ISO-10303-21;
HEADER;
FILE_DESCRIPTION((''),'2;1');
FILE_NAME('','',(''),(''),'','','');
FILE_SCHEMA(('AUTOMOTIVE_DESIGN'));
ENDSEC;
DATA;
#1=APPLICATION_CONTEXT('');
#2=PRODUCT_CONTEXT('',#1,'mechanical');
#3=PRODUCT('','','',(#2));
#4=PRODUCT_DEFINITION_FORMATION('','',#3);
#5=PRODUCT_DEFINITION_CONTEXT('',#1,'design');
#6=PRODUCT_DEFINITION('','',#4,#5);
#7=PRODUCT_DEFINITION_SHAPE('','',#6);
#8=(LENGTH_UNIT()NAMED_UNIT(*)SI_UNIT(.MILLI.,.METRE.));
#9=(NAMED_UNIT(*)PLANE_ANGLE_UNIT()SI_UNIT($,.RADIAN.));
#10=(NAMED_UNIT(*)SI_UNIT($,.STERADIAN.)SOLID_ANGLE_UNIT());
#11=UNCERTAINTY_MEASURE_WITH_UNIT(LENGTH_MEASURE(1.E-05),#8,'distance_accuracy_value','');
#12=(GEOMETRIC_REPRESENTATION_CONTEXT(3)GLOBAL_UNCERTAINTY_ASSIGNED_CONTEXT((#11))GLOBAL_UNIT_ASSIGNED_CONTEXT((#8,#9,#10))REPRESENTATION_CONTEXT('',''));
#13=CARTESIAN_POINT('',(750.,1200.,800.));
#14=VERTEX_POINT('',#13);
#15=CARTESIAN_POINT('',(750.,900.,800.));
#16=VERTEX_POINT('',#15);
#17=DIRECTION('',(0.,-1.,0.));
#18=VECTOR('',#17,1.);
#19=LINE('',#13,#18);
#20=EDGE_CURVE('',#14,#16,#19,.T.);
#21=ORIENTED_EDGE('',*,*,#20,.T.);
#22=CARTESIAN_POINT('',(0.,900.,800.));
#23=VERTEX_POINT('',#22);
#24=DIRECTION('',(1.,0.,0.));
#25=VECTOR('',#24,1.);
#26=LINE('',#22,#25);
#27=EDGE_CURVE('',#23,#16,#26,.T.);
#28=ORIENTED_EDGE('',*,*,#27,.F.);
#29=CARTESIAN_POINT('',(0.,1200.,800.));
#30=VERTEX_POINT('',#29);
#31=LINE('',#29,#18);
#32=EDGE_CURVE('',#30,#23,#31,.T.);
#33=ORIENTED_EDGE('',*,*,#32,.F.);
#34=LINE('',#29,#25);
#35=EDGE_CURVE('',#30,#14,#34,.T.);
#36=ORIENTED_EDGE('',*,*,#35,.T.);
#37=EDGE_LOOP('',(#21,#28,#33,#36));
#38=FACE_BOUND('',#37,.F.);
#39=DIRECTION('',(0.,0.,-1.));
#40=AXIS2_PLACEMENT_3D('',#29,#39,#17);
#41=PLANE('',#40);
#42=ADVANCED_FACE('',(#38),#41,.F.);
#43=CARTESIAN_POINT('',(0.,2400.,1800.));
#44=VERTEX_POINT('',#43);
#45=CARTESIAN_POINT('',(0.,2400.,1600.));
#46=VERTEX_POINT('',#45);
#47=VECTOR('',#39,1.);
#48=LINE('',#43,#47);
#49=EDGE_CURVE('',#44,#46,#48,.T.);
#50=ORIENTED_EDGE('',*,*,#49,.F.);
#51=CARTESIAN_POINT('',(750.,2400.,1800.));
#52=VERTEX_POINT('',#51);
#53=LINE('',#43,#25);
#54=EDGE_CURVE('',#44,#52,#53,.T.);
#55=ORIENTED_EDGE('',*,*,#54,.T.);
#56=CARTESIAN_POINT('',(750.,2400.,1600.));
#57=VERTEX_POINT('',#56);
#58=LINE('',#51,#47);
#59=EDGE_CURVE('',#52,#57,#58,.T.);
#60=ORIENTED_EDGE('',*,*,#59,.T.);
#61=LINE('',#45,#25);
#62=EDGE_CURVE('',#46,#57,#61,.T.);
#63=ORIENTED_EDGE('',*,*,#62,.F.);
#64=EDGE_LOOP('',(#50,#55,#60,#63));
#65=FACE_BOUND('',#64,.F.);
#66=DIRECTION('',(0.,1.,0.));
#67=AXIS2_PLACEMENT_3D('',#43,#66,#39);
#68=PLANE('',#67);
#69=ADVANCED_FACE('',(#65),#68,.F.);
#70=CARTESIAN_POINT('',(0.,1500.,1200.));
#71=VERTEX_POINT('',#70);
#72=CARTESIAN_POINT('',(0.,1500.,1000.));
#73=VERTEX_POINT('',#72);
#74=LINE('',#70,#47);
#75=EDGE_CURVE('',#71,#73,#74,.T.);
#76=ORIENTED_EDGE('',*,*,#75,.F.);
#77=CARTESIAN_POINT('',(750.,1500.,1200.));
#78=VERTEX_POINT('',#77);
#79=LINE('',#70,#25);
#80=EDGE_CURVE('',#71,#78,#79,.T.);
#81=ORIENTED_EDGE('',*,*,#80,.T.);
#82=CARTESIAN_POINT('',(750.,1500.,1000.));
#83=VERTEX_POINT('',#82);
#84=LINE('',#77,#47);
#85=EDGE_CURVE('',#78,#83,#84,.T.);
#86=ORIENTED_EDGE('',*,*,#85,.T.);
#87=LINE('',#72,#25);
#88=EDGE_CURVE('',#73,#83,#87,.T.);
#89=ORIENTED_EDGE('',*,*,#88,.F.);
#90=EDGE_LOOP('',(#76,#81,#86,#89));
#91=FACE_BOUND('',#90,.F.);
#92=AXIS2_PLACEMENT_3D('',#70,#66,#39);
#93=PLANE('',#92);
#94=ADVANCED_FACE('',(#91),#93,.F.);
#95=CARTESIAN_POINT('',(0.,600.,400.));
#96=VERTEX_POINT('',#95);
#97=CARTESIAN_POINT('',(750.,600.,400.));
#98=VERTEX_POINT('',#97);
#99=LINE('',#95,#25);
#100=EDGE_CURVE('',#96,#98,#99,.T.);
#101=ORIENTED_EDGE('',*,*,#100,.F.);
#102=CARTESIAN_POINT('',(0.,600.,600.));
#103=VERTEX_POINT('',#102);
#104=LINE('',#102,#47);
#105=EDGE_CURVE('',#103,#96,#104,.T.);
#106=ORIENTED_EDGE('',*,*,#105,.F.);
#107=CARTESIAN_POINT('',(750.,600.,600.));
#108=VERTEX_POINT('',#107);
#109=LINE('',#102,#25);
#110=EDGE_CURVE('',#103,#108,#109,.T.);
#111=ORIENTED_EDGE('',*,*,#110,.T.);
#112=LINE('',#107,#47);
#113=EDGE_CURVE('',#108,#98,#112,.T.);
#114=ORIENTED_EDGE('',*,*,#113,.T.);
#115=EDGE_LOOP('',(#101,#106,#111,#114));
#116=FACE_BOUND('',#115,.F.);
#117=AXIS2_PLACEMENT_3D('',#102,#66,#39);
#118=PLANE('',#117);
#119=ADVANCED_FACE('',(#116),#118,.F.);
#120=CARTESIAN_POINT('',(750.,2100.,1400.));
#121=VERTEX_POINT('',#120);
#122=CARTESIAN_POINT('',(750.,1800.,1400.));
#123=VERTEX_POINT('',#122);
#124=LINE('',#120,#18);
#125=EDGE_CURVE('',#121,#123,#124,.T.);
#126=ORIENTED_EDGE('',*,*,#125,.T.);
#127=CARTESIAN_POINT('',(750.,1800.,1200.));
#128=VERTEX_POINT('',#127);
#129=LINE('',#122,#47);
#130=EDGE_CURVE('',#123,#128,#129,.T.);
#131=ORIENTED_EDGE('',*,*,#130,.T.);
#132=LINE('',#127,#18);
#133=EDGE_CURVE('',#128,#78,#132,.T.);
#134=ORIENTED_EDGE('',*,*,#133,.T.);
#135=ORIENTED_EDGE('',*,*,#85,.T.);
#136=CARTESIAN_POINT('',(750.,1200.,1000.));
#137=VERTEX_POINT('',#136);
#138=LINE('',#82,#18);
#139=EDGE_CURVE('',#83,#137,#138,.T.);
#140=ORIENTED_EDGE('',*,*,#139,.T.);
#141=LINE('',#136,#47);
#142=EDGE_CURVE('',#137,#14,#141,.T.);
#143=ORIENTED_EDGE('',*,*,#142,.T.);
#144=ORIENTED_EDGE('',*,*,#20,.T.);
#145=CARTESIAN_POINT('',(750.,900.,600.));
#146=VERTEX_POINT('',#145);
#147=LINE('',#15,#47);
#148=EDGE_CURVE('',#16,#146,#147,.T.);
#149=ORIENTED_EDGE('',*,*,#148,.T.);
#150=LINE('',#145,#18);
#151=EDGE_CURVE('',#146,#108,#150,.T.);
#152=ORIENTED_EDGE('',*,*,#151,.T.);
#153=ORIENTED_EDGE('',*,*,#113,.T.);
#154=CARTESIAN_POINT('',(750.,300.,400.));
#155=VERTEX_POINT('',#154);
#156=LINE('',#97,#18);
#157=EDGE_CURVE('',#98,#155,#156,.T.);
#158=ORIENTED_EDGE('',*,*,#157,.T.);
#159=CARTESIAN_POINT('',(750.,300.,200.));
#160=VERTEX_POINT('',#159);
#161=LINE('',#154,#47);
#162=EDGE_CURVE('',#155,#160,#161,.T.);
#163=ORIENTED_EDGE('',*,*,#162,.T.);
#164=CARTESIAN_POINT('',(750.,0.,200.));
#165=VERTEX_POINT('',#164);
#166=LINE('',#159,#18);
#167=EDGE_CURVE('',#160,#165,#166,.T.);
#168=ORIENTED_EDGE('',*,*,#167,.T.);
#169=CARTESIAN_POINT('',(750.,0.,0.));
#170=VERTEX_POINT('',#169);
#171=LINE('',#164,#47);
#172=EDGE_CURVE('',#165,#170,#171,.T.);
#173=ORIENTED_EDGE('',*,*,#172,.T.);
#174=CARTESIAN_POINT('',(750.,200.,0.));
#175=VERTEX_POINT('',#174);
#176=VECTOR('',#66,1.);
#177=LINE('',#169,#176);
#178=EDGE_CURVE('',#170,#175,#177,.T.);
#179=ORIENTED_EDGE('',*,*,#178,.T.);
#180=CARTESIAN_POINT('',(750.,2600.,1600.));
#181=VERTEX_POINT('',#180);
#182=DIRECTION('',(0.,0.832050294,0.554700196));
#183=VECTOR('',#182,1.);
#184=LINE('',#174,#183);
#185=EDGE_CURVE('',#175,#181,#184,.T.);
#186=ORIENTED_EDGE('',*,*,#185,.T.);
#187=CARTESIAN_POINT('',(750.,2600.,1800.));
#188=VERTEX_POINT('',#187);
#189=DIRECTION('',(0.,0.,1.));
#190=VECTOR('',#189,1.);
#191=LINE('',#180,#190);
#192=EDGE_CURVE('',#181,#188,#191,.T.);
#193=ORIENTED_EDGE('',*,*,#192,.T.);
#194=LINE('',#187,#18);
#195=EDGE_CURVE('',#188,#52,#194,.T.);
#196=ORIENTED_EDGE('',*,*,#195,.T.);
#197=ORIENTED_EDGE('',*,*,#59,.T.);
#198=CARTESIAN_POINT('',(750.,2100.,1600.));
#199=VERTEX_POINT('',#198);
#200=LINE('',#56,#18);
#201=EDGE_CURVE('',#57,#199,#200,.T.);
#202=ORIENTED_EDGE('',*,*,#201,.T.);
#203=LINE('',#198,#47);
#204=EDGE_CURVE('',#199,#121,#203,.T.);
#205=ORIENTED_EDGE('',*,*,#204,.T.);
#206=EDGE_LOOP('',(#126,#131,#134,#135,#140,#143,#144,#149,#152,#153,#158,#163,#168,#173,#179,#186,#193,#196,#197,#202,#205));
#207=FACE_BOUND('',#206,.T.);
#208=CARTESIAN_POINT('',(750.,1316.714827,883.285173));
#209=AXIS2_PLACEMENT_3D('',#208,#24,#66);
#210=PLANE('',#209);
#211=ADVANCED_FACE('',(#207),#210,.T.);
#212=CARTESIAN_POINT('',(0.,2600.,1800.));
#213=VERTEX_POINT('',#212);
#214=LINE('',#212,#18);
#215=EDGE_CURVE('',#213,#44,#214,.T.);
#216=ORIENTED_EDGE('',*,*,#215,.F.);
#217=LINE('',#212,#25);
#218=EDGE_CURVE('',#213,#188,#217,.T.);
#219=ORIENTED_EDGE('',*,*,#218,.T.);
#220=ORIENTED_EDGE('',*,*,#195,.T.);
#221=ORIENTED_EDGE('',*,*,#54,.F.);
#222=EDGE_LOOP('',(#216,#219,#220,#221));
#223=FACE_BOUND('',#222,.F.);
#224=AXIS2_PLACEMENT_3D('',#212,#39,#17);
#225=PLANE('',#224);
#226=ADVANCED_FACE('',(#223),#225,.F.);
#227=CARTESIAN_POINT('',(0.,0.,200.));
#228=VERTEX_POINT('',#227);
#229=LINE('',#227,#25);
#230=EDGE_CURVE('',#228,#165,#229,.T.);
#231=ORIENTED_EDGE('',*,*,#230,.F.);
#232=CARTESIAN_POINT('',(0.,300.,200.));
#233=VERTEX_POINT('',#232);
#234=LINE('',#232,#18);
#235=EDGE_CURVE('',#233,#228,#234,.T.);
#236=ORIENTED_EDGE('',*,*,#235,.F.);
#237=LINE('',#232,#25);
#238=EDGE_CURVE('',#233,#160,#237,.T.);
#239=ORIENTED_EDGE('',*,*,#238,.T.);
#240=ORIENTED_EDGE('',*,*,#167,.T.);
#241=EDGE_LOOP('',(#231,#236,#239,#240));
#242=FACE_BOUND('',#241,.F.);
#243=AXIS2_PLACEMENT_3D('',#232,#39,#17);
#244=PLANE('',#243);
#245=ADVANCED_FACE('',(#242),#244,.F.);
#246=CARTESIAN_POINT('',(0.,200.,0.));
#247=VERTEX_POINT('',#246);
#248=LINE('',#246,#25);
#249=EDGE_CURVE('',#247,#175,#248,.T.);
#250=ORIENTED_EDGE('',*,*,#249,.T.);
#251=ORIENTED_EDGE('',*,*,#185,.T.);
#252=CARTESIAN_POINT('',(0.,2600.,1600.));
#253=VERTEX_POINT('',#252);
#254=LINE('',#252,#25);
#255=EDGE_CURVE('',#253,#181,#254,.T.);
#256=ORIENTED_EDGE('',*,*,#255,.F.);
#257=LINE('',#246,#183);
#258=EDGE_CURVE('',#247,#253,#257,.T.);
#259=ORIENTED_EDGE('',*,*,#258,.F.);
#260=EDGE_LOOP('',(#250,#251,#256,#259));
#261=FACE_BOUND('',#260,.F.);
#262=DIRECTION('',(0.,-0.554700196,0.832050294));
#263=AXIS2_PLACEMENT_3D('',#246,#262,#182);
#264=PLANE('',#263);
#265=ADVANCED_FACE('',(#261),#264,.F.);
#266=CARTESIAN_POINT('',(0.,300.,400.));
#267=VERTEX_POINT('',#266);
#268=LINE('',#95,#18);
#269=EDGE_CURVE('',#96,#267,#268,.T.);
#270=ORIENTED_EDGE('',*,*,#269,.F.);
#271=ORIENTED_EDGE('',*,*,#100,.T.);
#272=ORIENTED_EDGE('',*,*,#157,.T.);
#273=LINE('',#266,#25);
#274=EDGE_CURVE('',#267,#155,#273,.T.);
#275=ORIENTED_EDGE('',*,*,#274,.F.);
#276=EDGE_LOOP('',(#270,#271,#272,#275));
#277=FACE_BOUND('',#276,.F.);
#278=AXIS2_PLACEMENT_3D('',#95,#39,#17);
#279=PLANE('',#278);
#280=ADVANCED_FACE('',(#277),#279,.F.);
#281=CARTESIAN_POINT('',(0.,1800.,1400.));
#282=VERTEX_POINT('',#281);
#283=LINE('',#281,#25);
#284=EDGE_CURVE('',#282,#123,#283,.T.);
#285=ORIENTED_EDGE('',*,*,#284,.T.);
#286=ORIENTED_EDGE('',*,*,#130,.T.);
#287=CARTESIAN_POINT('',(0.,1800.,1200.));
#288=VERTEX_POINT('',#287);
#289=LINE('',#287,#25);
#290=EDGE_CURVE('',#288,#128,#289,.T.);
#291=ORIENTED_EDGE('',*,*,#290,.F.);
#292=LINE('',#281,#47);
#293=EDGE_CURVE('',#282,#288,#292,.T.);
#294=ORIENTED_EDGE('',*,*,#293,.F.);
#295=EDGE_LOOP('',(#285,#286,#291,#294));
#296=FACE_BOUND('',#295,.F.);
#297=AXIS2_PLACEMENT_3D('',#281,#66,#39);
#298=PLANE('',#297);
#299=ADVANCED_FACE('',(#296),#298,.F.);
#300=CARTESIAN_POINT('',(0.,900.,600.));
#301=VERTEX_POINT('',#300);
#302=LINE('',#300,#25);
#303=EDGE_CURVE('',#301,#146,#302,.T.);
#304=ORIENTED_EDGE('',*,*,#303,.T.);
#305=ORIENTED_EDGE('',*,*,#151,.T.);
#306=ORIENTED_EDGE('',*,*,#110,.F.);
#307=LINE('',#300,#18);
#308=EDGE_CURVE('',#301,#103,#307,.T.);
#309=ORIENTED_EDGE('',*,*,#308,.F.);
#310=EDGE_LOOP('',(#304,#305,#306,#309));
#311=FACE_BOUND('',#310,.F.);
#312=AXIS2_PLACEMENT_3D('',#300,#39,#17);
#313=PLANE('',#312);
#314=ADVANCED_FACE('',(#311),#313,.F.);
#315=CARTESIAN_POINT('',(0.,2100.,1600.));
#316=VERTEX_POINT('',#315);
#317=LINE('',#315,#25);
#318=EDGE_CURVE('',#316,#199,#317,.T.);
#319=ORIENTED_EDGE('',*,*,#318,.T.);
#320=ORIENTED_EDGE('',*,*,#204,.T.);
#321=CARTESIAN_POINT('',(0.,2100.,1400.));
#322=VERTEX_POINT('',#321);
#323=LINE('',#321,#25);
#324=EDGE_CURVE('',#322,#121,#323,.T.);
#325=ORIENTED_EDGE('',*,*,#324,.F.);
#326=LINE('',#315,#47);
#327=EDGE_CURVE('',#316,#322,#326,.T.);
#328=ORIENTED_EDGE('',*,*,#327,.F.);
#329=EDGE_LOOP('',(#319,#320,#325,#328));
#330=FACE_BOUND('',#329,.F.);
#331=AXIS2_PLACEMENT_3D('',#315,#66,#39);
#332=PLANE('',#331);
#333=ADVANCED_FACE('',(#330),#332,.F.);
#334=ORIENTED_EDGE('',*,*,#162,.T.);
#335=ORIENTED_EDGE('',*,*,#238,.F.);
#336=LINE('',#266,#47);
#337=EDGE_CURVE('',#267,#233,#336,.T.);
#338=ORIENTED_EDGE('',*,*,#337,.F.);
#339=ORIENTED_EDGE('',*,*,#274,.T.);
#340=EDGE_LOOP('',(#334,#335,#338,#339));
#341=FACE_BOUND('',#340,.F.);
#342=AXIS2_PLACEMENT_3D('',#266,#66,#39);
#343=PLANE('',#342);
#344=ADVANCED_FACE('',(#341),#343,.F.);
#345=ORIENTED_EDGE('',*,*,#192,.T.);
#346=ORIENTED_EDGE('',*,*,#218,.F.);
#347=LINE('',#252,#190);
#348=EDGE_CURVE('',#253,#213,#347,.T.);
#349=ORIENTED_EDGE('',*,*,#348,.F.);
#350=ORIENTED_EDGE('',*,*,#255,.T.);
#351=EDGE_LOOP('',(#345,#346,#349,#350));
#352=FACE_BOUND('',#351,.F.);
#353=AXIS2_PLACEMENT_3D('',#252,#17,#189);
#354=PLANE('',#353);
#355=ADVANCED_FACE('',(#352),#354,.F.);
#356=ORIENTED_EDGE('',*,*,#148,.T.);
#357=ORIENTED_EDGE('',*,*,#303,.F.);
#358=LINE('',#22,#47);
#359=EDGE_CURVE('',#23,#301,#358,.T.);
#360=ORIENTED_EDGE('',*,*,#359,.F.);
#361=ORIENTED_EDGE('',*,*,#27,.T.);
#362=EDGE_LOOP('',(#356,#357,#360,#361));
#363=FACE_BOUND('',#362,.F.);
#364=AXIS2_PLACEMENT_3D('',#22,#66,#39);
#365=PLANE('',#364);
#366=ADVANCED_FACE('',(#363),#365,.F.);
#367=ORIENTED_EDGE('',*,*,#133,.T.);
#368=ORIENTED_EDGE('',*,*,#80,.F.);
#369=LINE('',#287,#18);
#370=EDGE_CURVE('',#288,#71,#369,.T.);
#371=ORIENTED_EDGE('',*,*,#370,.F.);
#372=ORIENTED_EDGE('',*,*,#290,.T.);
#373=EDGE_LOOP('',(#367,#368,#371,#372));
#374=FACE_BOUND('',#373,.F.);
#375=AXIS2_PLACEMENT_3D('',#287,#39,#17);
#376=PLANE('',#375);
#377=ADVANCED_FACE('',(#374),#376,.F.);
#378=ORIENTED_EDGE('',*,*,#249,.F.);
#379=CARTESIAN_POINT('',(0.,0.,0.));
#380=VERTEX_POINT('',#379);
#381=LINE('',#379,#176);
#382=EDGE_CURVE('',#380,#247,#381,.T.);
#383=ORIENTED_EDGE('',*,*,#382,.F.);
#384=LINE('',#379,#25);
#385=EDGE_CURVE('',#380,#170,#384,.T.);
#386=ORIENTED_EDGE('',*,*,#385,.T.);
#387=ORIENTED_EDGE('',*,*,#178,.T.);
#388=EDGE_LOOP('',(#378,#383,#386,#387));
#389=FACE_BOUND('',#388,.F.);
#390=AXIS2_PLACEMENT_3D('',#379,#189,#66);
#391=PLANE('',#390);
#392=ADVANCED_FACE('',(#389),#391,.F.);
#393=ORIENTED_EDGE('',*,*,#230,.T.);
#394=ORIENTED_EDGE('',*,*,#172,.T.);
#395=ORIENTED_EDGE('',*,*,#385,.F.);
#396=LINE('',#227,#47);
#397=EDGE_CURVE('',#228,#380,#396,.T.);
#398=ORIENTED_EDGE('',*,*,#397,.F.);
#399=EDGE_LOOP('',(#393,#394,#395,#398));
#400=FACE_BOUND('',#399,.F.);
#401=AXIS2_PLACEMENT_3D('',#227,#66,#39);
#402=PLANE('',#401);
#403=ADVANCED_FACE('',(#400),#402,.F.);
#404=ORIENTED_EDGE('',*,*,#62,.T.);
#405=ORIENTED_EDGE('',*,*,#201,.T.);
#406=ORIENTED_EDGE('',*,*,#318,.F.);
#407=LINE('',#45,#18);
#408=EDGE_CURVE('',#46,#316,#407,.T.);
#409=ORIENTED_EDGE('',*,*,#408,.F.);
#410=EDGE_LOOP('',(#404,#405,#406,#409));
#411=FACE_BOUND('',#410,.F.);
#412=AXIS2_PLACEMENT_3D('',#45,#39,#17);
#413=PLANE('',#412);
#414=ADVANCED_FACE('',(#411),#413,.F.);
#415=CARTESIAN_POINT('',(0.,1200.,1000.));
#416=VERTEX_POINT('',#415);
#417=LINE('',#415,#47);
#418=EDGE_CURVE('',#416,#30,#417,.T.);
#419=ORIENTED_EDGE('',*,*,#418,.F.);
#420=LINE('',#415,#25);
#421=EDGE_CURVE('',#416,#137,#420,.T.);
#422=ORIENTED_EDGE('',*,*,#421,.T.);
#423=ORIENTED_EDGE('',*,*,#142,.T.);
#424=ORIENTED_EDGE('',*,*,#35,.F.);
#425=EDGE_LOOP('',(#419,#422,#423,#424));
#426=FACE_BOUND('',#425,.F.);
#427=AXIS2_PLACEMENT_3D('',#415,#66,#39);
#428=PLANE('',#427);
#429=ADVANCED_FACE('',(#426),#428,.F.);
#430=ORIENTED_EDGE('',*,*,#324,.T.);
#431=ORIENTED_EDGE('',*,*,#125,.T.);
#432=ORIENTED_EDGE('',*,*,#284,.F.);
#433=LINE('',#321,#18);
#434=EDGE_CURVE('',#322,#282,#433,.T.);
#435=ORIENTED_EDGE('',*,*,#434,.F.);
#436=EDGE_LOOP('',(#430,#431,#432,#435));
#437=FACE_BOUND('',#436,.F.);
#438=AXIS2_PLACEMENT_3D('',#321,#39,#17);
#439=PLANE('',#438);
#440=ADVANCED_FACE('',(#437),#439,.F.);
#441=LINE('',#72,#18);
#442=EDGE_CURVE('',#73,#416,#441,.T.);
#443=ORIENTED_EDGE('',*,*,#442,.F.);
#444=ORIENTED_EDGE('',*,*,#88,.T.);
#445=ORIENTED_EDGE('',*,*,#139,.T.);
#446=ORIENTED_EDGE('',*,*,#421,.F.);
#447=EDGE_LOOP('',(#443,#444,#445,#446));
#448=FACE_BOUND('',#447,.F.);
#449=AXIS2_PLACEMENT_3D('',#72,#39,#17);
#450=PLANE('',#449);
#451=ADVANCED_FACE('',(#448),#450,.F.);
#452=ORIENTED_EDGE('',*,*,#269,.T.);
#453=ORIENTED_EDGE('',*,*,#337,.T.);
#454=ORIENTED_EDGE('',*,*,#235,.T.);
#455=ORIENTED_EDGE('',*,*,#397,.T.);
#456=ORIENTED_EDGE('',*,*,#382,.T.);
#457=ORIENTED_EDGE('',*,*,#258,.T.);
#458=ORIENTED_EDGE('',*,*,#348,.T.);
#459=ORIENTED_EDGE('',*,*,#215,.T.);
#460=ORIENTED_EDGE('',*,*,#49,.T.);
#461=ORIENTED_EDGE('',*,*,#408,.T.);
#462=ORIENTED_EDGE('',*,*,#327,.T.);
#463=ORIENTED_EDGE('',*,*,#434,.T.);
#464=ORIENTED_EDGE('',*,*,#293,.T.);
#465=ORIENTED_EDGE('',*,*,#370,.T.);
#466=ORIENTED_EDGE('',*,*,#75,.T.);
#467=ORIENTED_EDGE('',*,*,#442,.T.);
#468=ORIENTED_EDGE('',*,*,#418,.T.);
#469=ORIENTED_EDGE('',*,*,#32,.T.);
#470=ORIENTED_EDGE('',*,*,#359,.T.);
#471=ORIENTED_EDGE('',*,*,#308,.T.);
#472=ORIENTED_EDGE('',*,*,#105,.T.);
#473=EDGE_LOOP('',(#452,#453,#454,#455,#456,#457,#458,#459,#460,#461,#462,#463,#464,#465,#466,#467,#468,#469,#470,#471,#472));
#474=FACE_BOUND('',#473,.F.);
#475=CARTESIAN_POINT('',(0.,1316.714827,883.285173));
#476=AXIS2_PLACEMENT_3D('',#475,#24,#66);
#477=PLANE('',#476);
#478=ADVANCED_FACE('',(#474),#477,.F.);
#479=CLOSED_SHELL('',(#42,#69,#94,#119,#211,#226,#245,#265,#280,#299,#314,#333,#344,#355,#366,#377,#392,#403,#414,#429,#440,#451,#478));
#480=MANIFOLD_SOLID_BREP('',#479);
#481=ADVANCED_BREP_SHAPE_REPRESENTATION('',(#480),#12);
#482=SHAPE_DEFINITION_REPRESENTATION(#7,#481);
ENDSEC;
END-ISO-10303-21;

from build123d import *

# Parameters (mm, degrees)
F1_DEPTH = 750


with BuildPart() as f1:
    # F0 (on Right) → F1 (new body)
    with BuildSketch(Plane.YZ):
        Polygon((0, 200), (0, 0), (200, 0), (2600, 1600), (2600, 1800), (2400, 1800), (2400, 1600), (2100, 1600), (2100, 1400), (1800, 1400), (1800, 1200), (1500, 1200), (1500, 1000), (1200, 1000), (1200, 800), (900, 800), (900, 600), (600, 600), (600, 400), (300, 400), (300, 200), align=None)
    extrude(amount=F1_DEPTH)


solid = f1.part
